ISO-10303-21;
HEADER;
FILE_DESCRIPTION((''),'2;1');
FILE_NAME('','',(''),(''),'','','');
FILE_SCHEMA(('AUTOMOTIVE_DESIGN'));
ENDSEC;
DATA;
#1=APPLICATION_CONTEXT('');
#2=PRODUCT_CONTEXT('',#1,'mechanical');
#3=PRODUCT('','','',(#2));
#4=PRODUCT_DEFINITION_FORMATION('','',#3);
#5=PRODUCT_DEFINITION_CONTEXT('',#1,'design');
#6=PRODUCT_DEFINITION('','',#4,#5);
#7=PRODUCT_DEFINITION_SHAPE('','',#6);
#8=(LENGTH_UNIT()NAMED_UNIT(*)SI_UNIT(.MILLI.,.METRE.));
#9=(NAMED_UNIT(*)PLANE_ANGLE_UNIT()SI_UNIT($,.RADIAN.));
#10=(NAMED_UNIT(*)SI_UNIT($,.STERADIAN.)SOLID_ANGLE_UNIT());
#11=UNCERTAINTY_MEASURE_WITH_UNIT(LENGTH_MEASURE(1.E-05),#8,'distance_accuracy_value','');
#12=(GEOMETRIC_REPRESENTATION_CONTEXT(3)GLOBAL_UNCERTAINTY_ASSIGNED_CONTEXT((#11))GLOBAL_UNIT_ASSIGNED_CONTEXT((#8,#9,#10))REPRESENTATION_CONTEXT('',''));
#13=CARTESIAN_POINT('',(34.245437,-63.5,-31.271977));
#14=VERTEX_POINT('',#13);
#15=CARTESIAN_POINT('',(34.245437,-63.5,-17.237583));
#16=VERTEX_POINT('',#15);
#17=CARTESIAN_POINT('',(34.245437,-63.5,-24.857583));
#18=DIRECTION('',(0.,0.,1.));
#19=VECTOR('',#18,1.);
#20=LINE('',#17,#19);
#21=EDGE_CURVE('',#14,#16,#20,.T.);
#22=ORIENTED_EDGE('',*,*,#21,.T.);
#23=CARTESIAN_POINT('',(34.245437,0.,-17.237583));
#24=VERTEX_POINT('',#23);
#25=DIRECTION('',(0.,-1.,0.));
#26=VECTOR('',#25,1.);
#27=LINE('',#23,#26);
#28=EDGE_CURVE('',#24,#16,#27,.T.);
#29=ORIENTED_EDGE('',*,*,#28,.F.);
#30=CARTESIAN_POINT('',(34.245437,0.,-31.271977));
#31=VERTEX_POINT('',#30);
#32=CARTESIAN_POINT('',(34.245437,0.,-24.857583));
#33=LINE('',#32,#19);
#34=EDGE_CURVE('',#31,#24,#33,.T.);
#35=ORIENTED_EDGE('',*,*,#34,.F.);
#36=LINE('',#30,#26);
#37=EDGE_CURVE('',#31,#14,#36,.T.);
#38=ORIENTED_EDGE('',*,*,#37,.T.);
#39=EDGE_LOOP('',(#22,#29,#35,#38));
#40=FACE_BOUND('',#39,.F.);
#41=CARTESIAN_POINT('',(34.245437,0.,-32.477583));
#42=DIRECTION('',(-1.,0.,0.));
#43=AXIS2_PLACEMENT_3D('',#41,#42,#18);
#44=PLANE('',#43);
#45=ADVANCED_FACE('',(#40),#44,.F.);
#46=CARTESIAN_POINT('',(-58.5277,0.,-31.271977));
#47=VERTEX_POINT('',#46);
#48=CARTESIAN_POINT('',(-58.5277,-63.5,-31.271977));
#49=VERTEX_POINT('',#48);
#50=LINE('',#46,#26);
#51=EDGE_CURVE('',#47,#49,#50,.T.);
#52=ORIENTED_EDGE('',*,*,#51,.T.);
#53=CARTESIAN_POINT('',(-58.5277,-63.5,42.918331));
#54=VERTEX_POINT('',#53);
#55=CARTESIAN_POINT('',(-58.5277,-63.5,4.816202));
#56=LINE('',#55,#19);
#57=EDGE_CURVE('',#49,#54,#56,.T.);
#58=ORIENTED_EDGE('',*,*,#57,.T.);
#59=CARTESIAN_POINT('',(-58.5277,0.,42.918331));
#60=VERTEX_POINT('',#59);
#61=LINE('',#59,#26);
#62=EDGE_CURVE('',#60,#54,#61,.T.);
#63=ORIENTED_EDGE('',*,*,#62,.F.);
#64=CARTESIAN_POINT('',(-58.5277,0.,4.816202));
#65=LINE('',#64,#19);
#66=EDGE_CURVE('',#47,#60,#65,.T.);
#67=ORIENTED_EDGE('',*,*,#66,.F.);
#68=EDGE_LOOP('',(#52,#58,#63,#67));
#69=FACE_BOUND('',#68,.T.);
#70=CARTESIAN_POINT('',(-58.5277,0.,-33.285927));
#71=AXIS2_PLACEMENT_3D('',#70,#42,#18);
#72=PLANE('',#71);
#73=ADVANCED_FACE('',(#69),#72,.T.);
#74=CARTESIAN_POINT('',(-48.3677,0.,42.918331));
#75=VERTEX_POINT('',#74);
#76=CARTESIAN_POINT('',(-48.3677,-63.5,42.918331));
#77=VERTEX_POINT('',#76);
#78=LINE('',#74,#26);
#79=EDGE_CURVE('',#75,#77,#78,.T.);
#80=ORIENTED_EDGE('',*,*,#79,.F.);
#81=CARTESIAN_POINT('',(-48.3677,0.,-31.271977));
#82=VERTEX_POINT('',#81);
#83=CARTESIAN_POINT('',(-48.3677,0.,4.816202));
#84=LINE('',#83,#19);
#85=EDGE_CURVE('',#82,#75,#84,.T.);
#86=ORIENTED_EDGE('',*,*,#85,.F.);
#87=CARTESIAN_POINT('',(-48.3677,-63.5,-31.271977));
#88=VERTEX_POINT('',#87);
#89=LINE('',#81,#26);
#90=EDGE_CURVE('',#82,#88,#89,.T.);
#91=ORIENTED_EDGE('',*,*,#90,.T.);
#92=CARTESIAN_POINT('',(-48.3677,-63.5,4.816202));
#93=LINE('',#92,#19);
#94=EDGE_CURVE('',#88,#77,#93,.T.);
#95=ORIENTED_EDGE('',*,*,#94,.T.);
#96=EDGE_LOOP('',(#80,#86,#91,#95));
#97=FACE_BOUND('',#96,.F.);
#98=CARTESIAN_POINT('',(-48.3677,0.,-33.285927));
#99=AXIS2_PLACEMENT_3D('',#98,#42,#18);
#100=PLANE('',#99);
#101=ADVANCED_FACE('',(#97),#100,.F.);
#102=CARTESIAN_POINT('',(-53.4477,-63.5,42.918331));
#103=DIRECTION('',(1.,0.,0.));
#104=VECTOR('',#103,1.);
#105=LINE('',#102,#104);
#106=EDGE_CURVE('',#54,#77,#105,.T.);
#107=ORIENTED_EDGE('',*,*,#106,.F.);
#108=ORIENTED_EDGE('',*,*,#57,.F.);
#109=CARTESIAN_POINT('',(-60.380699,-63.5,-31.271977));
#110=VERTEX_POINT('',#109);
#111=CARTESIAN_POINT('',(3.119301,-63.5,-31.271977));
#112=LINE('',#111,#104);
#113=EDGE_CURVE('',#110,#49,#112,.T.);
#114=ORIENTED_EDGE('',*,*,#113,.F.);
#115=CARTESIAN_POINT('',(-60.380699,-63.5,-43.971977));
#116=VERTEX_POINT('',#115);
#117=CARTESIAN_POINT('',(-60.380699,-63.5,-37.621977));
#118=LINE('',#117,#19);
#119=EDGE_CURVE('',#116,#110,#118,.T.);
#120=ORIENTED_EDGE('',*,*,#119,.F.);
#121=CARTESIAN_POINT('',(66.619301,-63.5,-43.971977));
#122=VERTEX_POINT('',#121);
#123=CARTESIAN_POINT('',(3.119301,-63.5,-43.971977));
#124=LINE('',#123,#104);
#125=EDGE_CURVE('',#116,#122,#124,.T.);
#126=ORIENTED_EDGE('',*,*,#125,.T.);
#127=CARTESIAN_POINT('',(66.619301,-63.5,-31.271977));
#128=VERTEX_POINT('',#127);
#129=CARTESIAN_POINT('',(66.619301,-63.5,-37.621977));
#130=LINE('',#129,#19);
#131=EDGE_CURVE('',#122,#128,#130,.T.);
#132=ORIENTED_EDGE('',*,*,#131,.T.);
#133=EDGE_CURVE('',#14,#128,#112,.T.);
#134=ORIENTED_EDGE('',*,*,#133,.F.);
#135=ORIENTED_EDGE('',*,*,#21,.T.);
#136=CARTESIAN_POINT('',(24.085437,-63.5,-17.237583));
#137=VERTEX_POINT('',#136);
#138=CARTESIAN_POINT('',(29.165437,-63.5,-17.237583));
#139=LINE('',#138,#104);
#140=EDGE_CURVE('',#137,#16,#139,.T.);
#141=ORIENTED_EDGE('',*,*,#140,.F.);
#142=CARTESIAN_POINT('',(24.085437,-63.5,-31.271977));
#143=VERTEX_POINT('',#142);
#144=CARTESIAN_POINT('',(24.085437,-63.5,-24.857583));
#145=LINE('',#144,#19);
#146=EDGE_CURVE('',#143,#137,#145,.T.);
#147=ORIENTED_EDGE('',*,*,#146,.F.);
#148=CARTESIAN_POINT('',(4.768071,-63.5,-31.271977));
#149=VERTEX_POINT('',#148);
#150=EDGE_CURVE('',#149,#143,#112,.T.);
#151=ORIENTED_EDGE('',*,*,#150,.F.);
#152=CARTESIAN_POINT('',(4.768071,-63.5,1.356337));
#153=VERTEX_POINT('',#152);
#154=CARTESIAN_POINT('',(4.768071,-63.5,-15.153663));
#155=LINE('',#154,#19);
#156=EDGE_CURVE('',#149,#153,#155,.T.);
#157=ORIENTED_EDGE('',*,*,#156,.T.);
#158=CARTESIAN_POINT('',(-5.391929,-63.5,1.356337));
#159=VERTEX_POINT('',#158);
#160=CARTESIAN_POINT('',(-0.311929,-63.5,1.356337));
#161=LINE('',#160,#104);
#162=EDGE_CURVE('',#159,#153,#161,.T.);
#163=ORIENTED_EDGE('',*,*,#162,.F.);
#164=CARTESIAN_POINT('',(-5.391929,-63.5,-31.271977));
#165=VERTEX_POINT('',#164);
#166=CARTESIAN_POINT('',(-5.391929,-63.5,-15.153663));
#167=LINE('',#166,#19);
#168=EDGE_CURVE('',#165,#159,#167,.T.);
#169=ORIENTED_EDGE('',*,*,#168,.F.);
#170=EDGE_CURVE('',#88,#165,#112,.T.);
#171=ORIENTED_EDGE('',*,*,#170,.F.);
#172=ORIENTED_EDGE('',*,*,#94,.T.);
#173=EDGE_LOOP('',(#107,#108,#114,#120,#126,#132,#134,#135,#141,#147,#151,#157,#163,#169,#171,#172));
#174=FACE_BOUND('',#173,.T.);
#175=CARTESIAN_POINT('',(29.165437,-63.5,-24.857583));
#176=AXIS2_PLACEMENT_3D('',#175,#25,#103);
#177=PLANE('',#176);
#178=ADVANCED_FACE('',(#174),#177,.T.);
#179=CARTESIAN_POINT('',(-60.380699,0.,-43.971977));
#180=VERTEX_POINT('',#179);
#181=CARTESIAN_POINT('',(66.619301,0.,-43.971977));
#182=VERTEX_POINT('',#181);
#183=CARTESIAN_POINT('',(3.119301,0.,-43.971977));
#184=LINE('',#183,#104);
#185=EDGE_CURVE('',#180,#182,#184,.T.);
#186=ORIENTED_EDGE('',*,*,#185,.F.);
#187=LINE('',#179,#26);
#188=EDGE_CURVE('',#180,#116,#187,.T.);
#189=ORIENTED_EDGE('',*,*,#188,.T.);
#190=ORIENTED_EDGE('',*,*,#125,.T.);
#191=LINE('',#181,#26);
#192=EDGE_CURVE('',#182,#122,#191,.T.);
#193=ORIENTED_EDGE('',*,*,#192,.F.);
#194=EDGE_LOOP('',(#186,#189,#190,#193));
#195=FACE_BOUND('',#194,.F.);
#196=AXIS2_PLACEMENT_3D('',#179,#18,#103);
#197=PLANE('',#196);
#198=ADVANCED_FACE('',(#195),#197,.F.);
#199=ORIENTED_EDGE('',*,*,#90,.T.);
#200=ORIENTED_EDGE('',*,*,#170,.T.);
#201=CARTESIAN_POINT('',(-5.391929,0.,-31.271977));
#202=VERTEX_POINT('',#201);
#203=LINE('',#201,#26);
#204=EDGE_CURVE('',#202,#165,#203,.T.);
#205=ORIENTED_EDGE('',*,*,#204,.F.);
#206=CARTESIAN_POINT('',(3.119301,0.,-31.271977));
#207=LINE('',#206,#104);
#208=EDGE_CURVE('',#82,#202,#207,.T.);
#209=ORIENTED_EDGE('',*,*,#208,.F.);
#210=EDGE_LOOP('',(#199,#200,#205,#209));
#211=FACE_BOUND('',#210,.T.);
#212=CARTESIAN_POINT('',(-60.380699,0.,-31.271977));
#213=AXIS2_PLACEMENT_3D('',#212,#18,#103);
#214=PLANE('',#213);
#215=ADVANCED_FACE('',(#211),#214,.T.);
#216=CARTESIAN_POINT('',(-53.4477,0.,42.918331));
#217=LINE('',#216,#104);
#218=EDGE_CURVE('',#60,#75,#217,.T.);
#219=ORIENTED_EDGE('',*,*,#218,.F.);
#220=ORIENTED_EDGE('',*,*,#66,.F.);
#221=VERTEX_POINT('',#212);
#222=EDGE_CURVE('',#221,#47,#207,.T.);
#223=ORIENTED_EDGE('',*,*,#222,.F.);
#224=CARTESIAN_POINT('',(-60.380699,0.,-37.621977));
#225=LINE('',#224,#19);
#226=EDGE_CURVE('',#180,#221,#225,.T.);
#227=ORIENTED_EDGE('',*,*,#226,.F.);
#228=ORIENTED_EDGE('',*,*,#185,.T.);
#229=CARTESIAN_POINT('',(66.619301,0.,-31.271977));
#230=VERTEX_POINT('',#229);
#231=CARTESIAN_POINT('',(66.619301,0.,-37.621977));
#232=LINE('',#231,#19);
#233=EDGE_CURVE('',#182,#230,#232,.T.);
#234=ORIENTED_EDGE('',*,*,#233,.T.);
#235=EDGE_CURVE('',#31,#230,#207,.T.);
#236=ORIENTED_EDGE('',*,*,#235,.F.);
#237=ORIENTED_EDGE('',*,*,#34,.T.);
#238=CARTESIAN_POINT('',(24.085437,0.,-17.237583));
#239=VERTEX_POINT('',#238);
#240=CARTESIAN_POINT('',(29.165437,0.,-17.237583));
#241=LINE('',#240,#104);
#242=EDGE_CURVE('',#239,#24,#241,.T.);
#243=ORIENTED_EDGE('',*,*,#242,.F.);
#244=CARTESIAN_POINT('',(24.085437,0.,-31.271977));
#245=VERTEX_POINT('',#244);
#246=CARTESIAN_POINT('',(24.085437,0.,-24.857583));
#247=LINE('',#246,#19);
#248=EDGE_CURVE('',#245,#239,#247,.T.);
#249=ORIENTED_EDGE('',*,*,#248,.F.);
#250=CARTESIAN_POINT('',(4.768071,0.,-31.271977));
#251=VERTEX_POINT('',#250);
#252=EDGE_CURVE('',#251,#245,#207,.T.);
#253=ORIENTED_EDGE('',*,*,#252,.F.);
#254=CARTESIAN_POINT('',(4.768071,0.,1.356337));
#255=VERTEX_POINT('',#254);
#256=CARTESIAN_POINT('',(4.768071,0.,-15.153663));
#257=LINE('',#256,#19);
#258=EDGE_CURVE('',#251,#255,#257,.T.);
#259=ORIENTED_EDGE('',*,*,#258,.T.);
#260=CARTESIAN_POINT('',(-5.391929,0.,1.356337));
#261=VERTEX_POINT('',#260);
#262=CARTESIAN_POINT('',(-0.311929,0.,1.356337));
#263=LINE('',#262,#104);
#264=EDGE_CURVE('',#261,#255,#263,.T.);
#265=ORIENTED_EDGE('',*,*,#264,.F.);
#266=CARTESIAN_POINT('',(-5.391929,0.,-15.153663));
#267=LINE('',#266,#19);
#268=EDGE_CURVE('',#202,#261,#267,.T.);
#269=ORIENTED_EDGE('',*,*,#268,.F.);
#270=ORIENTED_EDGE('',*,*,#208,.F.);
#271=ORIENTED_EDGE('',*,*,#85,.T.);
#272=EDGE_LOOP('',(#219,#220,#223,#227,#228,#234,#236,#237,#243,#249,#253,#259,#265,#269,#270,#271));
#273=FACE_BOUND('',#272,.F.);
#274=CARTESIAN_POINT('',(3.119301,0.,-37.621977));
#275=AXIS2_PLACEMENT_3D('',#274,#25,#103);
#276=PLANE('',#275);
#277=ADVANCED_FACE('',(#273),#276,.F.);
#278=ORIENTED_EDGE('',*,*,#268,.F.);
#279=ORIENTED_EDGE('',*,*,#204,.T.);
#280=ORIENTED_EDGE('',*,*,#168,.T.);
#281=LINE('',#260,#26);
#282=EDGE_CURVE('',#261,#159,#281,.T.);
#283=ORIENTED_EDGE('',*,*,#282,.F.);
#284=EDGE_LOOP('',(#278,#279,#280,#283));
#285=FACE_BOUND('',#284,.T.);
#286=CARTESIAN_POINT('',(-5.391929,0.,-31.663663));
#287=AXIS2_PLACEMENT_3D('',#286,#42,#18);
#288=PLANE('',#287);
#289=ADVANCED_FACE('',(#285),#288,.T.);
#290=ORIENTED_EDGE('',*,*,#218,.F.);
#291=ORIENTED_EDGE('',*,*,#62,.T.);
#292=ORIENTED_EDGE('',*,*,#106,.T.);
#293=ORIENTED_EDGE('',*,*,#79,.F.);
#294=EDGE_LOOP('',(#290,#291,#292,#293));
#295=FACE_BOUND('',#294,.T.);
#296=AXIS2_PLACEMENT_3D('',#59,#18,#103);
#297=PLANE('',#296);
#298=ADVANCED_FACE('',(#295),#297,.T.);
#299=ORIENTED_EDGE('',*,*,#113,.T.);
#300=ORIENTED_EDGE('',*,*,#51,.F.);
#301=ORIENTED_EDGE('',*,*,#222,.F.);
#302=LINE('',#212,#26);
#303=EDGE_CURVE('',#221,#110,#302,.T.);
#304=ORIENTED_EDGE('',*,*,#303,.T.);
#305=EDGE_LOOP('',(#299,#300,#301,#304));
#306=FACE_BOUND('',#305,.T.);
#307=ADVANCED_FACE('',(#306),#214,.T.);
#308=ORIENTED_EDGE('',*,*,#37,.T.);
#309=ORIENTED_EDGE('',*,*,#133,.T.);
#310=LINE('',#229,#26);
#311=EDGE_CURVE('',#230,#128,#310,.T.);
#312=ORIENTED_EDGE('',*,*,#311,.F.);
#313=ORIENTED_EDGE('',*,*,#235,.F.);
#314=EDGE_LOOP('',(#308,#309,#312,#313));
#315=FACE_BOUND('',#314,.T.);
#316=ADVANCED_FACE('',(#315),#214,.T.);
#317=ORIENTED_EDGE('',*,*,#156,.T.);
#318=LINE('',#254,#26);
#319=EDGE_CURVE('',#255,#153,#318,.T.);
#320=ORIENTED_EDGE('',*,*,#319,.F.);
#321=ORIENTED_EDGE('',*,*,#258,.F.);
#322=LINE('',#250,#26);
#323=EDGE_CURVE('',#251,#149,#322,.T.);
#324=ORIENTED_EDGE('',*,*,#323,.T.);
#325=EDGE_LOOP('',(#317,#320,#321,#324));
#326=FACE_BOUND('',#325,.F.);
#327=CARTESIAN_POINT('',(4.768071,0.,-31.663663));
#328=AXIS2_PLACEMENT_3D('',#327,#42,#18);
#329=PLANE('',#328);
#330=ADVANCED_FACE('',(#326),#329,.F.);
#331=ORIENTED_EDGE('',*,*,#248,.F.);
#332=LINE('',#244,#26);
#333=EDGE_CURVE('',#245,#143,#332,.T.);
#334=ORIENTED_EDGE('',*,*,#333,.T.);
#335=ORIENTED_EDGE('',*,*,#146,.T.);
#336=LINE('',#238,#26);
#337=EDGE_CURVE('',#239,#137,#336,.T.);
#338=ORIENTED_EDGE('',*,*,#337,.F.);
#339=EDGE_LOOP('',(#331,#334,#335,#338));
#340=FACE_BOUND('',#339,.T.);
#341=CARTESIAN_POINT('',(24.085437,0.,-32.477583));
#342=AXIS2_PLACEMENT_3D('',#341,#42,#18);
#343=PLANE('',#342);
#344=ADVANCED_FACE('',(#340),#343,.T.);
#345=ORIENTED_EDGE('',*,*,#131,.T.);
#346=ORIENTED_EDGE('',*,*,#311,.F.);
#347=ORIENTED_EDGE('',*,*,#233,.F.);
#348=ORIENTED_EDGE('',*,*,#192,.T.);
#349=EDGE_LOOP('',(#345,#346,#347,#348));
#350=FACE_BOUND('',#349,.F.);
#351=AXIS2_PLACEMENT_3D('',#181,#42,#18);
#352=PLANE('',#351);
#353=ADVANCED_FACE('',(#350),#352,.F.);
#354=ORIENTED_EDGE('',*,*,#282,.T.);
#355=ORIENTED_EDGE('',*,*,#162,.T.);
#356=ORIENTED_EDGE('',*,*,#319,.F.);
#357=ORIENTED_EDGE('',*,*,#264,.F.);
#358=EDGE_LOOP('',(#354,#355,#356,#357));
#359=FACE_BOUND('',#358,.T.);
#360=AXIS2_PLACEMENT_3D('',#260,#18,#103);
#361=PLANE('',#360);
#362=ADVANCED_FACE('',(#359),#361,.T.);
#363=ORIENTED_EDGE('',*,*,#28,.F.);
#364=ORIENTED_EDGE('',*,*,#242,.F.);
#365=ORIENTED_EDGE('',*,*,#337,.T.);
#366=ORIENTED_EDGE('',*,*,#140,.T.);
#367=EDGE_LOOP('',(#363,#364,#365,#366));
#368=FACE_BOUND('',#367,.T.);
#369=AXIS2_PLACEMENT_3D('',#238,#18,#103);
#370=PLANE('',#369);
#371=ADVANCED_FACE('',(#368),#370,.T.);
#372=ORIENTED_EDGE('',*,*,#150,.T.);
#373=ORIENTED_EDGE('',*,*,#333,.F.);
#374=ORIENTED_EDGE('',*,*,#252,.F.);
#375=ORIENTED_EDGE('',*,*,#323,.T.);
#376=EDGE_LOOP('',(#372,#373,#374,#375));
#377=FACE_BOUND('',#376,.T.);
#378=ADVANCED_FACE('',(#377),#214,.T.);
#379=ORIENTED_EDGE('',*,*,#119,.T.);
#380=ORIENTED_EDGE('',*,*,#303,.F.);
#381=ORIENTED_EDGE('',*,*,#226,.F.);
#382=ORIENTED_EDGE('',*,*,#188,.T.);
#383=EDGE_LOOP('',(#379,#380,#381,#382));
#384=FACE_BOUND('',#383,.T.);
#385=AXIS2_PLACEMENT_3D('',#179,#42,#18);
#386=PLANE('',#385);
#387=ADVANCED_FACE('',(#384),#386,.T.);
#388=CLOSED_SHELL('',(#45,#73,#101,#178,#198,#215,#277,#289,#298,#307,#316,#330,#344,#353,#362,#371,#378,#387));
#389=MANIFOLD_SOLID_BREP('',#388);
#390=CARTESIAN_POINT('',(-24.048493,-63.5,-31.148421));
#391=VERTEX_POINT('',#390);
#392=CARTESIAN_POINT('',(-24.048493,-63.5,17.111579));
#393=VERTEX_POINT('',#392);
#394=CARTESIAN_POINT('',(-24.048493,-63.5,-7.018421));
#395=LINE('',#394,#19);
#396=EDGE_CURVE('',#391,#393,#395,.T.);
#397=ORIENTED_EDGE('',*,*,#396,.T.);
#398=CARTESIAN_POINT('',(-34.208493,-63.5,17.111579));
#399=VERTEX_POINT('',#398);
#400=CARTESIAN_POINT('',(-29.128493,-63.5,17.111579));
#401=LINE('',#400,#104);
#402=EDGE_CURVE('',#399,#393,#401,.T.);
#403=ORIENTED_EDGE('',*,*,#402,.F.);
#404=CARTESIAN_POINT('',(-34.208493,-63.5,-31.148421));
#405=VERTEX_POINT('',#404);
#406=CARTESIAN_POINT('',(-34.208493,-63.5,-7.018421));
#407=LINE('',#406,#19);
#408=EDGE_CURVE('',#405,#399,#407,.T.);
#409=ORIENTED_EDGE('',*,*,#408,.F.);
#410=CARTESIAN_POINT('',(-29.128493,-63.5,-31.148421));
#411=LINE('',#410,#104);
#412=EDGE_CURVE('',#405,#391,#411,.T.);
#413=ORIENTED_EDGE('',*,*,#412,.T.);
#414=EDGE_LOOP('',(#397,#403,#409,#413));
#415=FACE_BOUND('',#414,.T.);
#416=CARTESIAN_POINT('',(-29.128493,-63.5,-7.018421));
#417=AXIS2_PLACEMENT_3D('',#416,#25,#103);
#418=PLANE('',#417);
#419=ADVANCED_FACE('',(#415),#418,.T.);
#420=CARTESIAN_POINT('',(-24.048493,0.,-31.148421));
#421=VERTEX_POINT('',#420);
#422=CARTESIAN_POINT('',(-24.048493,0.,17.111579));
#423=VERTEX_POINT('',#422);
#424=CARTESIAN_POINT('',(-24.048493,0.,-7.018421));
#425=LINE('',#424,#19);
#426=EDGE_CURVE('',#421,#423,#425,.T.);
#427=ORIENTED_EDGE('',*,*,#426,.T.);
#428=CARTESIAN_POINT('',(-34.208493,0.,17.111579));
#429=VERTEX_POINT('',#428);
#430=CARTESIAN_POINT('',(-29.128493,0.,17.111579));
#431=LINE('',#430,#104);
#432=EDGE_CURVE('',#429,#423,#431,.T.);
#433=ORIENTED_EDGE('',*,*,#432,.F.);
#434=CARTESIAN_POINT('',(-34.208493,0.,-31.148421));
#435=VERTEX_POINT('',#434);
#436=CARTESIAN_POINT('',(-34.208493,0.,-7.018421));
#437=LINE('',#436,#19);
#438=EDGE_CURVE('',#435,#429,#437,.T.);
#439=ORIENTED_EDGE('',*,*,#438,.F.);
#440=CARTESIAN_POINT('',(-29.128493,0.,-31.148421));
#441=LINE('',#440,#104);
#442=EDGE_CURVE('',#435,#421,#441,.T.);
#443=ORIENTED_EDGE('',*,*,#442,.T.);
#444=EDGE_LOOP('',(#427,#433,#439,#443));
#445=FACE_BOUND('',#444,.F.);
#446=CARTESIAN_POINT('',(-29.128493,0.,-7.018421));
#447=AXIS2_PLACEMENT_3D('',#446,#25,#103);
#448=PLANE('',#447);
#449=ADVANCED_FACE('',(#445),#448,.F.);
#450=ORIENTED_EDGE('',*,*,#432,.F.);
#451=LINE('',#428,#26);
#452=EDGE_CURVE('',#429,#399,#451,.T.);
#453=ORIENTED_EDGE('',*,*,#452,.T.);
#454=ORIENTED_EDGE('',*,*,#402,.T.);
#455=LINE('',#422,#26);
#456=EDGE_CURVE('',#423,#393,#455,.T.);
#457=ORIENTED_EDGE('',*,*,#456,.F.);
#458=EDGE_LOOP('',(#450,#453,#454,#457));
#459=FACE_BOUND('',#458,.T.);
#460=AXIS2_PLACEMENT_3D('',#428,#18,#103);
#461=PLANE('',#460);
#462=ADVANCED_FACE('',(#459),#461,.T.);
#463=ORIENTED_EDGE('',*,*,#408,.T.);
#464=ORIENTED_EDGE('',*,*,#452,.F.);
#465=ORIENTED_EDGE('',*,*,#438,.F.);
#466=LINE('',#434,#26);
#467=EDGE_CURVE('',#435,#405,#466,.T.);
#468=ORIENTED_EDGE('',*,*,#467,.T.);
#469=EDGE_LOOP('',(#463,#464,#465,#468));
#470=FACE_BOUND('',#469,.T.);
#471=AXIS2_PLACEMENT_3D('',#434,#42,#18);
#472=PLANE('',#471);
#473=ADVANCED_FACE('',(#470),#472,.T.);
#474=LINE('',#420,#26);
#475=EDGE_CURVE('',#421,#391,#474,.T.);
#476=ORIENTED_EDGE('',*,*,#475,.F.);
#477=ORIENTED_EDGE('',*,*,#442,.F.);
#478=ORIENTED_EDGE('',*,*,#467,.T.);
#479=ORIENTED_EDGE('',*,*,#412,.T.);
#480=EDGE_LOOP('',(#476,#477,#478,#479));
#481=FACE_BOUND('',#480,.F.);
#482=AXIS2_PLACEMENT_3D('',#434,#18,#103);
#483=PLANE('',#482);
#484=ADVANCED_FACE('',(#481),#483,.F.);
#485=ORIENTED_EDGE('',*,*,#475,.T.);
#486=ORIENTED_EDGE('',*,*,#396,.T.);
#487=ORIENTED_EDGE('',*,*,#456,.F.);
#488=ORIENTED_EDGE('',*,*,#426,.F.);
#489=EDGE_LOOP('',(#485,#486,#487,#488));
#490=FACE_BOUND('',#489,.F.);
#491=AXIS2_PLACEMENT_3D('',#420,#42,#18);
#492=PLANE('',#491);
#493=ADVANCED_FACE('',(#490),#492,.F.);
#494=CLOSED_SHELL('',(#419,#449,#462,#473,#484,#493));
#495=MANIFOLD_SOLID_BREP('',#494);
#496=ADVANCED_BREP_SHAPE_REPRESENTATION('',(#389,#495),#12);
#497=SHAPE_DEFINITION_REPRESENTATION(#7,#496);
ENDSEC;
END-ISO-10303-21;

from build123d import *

# Parameters (mm, degrees)
F0_W     = 127
F0_H     = 12.7
F2_DEPTH = 63.5
F1_W     = 10.16
F1_H     = 76.204258
F3_DEPTH = 63.5
F4_W     = 10.16
F4_H     = 48.26
F7_DEPTH = 63.5
F5_W     = 10.16
F5_H     = 33.02
F8_DEPTH = 63.5
F6_W     = 10.16
F6_H     = 15.24
F9_DEPTH = 63.5


with BuildPart() as f2:
    # F0 (on Front) → F2 (new body)
    with BuildSketch(Plane.XZ):
        with Locations((3.119301, -37.621977)):
            Rectangle(F0_W, F0_H)
    extrude(amount=F2_DEPTH)

    # F1 (on Front) → F3 (join)
    with BuildSketch(Plane.XZ):
        with Locations((-53.4477, 4.816202)):
            Rectangle(F1_W, F1_H)
    extrude(amount=F3_DEPTH)

    # F5 (on Front) → F8 (join)
    with BuildSketch(Plane.XZ):
        with Locations((-0.311929, -15.153663)):
            Rectangle(F5_W, F5_H)
    extrude(amount=F8_DEPTH)

    # F6 (on Front) → F9 (join)
    with BuildSketch(Plane.XZ):
        with Locations((29.165437, -24.857583)):
            Rectangle(F6_W, F6_H)
    extrude(amount=F9_DEPTH)


with BuildPart() as f7:
    # F4 (on Front) → F7 (new body)
    with BuildSketch(Plane.XZ):
        with Locations((-29.128493, -7.018421)):
            Rectangle(F4_W, F4_H)
    extrude(amount=F7_DEPTH)


solid = Compound([f2.part, f7.part])
